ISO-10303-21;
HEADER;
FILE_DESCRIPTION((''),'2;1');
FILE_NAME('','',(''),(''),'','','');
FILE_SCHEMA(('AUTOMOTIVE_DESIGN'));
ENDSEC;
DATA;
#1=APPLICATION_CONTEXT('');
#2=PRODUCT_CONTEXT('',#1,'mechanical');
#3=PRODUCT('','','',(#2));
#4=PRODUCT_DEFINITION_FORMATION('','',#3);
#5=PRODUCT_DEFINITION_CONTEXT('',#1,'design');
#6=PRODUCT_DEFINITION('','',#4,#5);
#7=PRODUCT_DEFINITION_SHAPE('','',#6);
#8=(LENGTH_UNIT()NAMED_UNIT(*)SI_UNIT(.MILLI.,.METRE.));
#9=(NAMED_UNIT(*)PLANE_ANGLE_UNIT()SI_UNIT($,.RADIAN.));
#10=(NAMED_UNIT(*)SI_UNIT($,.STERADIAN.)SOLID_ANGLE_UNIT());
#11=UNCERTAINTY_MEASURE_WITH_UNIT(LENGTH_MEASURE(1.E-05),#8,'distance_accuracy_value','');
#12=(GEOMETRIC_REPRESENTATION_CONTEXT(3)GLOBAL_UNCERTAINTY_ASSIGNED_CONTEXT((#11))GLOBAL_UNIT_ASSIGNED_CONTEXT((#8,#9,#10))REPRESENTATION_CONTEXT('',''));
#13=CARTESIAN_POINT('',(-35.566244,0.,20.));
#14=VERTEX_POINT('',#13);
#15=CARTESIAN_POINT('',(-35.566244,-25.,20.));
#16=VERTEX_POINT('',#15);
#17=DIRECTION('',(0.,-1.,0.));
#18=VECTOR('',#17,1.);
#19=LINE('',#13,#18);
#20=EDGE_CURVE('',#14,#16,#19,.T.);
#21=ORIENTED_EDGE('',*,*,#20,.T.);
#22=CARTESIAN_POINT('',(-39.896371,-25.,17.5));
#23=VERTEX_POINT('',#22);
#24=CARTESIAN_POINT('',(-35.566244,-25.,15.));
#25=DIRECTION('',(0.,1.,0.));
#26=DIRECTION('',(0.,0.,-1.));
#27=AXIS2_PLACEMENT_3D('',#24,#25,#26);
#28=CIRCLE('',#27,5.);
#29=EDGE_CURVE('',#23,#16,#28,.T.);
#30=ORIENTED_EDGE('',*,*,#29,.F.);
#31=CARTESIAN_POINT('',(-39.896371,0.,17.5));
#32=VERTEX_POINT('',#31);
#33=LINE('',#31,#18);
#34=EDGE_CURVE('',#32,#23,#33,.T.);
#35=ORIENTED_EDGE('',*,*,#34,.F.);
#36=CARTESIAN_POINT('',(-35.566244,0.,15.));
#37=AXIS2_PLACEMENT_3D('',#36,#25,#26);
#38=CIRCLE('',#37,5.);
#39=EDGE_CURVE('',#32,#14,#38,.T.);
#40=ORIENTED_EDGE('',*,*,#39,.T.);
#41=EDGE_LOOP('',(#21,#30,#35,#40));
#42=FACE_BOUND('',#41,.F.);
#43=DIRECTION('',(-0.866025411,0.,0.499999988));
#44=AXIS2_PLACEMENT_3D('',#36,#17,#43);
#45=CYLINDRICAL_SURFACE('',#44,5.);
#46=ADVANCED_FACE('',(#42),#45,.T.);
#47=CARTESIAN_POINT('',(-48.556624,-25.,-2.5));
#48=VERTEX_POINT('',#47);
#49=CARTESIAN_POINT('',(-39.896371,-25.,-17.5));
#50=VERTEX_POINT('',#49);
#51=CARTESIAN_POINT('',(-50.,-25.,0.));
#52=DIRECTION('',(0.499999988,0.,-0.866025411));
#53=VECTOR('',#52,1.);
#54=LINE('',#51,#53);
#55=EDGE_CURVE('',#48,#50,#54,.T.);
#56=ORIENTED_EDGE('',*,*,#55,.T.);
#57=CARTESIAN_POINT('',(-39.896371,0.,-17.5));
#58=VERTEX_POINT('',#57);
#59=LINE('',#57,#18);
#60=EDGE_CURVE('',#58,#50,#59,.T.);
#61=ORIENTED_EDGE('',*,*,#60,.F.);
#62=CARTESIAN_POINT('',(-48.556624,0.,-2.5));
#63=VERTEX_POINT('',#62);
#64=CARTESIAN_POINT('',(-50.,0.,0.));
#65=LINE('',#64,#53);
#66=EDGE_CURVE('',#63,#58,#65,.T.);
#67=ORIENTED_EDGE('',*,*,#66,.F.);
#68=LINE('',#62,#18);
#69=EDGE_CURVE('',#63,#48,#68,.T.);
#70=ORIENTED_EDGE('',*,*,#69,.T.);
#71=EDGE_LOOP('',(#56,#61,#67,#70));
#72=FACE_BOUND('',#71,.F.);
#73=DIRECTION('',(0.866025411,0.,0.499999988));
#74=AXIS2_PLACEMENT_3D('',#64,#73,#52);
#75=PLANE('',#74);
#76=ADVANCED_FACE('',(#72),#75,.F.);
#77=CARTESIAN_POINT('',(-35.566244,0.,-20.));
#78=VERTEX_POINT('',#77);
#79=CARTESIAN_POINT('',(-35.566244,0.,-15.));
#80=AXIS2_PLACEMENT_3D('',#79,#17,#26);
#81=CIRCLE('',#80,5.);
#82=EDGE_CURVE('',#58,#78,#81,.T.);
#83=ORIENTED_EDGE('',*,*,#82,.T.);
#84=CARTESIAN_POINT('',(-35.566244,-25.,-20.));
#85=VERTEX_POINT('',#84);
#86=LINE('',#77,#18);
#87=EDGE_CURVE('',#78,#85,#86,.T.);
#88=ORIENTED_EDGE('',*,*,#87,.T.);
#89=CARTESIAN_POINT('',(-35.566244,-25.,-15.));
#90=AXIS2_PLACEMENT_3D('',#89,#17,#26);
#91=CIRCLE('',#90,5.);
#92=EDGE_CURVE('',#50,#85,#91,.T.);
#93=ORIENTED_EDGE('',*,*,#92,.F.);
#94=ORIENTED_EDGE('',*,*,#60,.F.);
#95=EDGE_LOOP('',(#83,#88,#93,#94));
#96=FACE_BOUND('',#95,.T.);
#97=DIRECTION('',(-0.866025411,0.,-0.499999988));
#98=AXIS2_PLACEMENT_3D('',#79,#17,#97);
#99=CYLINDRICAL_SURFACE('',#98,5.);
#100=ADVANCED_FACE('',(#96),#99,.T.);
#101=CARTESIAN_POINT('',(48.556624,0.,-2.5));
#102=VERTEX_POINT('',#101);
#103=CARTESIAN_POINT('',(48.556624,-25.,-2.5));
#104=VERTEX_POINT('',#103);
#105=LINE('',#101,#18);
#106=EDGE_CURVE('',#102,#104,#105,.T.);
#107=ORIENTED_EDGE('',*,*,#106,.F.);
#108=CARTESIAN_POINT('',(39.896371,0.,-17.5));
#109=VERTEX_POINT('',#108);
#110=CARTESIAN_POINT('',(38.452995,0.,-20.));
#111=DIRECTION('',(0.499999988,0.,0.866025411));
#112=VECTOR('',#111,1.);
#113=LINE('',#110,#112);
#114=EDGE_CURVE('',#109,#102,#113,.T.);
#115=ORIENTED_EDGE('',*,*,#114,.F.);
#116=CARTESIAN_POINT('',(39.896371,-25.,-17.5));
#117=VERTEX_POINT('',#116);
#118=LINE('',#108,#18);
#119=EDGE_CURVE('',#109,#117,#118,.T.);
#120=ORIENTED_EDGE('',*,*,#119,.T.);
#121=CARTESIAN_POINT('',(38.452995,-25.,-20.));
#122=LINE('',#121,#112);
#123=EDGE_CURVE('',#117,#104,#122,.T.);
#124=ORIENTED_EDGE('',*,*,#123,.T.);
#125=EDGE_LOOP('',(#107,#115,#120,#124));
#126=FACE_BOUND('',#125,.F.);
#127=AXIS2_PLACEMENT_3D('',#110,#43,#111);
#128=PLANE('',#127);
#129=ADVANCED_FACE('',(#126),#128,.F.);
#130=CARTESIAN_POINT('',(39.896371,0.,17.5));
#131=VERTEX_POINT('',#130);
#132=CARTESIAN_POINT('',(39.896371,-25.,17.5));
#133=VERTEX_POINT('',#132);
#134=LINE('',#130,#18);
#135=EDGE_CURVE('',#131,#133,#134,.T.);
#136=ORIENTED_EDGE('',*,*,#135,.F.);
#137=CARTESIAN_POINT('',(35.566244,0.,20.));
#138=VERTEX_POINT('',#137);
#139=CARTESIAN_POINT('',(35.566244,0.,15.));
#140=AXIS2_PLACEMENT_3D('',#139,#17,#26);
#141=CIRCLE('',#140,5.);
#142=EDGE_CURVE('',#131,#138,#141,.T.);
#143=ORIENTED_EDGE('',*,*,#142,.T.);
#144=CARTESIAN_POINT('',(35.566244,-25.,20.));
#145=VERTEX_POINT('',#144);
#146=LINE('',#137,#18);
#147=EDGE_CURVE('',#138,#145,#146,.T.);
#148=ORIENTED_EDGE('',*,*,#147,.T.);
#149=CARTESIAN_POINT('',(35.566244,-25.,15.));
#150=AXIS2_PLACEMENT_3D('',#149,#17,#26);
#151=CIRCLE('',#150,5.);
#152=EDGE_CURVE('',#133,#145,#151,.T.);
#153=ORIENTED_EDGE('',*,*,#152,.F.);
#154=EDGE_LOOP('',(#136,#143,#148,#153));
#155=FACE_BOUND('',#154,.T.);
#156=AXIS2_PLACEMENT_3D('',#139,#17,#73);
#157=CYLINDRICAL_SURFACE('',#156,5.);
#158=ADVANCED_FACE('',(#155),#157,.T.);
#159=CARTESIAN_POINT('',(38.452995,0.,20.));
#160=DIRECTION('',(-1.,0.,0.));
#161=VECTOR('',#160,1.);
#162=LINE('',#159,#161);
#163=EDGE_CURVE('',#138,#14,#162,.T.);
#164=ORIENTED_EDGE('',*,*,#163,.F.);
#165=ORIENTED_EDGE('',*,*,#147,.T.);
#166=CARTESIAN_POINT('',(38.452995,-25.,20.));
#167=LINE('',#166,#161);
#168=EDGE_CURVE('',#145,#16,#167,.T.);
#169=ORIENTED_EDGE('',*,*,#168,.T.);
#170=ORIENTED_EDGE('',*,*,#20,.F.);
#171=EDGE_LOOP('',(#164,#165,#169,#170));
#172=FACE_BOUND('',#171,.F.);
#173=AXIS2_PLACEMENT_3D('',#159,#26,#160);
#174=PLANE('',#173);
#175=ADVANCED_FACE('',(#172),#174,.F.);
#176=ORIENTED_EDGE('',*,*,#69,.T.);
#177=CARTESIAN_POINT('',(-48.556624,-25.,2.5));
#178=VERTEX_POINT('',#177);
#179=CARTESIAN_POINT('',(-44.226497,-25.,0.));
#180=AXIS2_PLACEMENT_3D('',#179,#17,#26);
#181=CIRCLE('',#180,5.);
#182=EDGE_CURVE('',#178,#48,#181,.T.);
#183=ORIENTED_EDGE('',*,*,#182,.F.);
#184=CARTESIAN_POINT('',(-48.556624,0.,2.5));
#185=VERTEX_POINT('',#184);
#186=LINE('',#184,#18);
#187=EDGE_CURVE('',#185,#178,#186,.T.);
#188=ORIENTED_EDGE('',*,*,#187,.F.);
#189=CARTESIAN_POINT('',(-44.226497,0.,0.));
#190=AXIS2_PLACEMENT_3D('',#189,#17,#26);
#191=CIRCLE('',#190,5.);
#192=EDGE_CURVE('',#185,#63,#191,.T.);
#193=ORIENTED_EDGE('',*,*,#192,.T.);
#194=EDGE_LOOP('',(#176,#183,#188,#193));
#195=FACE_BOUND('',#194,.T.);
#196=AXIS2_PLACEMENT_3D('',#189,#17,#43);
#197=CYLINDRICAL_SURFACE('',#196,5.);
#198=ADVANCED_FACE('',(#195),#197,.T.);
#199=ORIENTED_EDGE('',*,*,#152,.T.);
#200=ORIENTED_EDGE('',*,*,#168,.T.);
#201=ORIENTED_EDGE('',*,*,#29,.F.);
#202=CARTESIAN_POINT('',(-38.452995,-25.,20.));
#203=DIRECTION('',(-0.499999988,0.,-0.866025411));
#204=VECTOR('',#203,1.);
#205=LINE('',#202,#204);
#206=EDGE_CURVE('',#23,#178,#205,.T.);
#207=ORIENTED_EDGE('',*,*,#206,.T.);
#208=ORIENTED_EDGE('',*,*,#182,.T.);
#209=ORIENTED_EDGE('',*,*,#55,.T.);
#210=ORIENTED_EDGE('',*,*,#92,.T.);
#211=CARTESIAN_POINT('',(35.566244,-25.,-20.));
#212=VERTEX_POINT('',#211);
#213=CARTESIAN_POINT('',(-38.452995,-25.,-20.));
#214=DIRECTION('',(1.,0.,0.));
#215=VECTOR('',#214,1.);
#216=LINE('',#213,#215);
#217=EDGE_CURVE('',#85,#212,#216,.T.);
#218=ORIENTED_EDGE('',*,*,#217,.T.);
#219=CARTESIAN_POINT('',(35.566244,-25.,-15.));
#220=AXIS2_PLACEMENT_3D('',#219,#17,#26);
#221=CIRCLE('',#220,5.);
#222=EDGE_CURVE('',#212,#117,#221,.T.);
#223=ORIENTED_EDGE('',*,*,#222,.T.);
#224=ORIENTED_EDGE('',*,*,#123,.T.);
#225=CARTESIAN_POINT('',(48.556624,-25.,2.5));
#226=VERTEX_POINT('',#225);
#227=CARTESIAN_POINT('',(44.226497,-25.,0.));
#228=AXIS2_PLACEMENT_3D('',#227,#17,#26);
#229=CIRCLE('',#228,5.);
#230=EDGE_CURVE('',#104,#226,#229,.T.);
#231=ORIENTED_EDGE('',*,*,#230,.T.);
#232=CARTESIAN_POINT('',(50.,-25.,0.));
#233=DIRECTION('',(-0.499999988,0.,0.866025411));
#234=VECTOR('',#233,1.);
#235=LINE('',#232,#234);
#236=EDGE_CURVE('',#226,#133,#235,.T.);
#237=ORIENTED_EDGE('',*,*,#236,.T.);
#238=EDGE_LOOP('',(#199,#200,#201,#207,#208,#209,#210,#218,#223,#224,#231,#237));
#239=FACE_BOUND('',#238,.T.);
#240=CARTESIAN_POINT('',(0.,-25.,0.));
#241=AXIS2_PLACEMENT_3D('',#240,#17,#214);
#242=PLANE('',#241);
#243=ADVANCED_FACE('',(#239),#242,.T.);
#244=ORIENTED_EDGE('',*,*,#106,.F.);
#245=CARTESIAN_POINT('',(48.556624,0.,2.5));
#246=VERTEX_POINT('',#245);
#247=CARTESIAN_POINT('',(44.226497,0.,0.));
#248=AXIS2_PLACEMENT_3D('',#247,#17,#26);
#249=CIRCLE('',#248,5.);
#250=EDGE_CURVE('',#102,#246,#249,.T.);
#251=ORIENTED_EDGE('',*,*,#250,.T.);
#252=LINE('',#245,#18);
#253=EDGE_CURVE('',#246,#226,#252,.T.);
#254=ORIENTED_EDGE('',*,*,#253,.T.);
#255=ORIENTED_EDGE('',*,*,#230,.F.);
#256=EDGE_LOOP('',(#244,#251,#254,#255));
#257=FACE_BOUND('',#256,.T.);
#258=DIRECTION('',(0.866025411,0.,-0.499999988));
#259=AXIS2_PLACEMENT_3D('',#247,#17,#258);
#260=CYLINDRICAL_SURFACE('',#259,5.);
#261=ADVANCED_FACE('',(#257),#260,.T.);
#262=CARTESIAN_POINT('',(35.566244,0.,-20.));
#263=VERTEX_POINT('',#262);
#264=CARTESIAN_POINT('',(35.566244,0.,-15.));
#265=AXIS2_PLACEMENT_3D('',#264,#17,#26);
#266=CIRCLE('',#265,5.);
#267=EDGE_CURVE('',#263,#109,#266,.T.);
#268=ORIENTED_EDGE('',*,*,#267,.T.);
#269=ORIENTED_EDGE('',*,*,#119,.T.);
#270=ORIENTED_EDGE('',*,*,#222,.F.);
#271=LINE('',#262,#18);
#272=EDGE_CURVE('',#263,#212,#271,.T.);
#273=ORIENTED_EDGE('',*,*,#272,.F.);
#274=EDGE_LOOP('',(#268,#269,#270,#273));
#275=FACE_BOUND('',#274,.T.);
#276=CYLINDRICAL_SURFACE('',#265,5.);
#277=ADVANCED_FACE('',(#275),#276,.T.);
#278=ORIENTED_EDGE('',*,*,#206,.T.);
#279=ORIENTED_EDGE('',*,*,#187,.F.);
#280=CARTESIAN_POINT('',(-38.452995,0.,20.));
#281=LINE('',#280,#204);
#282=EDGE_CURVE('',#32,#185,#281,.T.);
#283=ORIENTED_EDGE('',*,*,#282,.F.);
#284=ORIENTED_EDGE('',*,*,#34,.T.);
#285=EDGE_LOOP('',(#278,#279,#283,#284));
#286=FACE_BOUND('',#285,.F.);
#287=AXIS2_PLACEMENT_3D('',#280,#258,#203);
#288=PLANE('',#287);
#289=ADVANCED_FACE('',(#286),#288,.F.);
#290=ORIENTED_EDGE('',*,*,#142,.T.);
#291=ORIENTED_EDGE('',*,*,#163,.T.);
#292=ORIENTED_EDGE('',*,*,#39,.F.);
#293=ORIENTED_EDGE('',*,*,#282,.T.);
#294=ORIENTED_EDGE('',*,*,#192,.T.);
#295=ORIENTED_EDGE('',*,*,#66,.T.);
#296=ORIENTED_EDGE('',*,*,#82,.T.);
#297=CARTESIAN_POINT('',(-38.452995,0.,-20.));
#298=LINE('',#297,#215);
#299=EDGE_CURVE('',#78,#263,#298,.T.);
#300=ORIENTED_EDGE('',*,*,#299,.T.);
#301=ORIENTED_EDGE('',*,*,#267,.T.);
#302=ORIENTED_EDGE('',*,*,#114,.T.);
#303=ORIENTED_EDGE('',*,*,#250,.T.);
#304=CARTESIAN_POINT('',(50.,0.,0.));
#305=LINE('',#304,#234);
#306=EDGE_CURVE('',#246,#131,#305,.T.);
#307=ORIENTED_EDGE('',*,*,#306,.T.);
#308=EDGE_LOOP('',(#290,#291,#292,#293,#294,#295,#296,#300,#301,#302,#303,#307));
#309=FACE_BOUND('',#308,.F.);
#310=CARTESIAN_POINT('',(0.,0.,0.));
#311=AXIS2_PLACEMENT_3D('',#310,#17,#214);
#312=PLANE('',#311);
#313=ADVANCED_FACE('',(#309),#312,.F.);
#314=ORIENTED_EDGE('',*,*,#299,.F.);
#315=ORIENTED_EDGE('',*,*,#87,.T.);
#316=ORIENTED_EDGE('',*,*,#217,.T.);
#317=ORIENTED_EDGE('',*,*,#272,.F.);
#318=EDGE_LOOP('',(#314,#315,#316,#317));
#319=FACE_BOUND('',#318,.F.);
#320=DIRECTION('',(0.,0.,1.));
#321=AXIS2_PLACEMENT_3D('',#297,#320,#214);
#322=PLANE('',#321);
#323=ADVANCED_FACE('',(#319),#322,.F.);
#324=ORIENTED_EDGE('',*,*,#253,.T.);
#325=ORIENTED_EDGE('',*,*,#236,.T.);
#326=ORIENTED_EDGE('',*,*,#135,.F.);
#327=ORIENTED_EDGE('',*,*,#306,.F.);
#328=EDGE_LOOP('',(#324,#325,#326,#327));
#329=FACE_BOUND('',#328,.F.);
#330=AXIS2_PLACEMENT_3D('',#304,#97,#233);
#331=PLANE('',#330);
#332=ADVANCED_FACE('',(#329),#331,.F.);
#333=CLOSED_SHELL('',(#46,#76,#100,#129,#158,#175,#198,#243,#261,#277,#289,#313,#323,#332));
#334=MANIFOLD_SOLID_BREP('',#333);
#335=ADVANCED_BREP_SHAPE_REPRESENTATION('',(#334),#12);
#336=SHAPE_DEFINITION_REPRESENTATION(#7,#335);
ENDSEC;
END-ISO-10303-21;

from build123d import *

# Parameters (mm, degrees)
F1_DEPTH = 25
F2_R     = 5


with BuildPart() as f1:
    # F0 (on Front) → F1 (new body)
    with BuildSketch(Plane.XZ):
        Polygon((-38.452995, 20), (-50, 0), (-38.452995, -20), (0, -20), (38.452995, -20), (50, 0), (38.452995, 20), (0, 20), align=None)
    extrude(amount=F1_DEPTH)

    # F2
    f2_edges = [f1.edges().sort_by_distance(p)[0] for p in [
        (-38.452995, -12.5, 20),
        (-50, -12.5, 0),
        (-38.452995, -12.5, -20),
        (38.452995, -12.5, 20),
        (50, -12.5, 0),
        (38.452995, -12.5, -20),
    ]]
    fillet(f2_edges, radius=F2_R)


solid = f1.part
